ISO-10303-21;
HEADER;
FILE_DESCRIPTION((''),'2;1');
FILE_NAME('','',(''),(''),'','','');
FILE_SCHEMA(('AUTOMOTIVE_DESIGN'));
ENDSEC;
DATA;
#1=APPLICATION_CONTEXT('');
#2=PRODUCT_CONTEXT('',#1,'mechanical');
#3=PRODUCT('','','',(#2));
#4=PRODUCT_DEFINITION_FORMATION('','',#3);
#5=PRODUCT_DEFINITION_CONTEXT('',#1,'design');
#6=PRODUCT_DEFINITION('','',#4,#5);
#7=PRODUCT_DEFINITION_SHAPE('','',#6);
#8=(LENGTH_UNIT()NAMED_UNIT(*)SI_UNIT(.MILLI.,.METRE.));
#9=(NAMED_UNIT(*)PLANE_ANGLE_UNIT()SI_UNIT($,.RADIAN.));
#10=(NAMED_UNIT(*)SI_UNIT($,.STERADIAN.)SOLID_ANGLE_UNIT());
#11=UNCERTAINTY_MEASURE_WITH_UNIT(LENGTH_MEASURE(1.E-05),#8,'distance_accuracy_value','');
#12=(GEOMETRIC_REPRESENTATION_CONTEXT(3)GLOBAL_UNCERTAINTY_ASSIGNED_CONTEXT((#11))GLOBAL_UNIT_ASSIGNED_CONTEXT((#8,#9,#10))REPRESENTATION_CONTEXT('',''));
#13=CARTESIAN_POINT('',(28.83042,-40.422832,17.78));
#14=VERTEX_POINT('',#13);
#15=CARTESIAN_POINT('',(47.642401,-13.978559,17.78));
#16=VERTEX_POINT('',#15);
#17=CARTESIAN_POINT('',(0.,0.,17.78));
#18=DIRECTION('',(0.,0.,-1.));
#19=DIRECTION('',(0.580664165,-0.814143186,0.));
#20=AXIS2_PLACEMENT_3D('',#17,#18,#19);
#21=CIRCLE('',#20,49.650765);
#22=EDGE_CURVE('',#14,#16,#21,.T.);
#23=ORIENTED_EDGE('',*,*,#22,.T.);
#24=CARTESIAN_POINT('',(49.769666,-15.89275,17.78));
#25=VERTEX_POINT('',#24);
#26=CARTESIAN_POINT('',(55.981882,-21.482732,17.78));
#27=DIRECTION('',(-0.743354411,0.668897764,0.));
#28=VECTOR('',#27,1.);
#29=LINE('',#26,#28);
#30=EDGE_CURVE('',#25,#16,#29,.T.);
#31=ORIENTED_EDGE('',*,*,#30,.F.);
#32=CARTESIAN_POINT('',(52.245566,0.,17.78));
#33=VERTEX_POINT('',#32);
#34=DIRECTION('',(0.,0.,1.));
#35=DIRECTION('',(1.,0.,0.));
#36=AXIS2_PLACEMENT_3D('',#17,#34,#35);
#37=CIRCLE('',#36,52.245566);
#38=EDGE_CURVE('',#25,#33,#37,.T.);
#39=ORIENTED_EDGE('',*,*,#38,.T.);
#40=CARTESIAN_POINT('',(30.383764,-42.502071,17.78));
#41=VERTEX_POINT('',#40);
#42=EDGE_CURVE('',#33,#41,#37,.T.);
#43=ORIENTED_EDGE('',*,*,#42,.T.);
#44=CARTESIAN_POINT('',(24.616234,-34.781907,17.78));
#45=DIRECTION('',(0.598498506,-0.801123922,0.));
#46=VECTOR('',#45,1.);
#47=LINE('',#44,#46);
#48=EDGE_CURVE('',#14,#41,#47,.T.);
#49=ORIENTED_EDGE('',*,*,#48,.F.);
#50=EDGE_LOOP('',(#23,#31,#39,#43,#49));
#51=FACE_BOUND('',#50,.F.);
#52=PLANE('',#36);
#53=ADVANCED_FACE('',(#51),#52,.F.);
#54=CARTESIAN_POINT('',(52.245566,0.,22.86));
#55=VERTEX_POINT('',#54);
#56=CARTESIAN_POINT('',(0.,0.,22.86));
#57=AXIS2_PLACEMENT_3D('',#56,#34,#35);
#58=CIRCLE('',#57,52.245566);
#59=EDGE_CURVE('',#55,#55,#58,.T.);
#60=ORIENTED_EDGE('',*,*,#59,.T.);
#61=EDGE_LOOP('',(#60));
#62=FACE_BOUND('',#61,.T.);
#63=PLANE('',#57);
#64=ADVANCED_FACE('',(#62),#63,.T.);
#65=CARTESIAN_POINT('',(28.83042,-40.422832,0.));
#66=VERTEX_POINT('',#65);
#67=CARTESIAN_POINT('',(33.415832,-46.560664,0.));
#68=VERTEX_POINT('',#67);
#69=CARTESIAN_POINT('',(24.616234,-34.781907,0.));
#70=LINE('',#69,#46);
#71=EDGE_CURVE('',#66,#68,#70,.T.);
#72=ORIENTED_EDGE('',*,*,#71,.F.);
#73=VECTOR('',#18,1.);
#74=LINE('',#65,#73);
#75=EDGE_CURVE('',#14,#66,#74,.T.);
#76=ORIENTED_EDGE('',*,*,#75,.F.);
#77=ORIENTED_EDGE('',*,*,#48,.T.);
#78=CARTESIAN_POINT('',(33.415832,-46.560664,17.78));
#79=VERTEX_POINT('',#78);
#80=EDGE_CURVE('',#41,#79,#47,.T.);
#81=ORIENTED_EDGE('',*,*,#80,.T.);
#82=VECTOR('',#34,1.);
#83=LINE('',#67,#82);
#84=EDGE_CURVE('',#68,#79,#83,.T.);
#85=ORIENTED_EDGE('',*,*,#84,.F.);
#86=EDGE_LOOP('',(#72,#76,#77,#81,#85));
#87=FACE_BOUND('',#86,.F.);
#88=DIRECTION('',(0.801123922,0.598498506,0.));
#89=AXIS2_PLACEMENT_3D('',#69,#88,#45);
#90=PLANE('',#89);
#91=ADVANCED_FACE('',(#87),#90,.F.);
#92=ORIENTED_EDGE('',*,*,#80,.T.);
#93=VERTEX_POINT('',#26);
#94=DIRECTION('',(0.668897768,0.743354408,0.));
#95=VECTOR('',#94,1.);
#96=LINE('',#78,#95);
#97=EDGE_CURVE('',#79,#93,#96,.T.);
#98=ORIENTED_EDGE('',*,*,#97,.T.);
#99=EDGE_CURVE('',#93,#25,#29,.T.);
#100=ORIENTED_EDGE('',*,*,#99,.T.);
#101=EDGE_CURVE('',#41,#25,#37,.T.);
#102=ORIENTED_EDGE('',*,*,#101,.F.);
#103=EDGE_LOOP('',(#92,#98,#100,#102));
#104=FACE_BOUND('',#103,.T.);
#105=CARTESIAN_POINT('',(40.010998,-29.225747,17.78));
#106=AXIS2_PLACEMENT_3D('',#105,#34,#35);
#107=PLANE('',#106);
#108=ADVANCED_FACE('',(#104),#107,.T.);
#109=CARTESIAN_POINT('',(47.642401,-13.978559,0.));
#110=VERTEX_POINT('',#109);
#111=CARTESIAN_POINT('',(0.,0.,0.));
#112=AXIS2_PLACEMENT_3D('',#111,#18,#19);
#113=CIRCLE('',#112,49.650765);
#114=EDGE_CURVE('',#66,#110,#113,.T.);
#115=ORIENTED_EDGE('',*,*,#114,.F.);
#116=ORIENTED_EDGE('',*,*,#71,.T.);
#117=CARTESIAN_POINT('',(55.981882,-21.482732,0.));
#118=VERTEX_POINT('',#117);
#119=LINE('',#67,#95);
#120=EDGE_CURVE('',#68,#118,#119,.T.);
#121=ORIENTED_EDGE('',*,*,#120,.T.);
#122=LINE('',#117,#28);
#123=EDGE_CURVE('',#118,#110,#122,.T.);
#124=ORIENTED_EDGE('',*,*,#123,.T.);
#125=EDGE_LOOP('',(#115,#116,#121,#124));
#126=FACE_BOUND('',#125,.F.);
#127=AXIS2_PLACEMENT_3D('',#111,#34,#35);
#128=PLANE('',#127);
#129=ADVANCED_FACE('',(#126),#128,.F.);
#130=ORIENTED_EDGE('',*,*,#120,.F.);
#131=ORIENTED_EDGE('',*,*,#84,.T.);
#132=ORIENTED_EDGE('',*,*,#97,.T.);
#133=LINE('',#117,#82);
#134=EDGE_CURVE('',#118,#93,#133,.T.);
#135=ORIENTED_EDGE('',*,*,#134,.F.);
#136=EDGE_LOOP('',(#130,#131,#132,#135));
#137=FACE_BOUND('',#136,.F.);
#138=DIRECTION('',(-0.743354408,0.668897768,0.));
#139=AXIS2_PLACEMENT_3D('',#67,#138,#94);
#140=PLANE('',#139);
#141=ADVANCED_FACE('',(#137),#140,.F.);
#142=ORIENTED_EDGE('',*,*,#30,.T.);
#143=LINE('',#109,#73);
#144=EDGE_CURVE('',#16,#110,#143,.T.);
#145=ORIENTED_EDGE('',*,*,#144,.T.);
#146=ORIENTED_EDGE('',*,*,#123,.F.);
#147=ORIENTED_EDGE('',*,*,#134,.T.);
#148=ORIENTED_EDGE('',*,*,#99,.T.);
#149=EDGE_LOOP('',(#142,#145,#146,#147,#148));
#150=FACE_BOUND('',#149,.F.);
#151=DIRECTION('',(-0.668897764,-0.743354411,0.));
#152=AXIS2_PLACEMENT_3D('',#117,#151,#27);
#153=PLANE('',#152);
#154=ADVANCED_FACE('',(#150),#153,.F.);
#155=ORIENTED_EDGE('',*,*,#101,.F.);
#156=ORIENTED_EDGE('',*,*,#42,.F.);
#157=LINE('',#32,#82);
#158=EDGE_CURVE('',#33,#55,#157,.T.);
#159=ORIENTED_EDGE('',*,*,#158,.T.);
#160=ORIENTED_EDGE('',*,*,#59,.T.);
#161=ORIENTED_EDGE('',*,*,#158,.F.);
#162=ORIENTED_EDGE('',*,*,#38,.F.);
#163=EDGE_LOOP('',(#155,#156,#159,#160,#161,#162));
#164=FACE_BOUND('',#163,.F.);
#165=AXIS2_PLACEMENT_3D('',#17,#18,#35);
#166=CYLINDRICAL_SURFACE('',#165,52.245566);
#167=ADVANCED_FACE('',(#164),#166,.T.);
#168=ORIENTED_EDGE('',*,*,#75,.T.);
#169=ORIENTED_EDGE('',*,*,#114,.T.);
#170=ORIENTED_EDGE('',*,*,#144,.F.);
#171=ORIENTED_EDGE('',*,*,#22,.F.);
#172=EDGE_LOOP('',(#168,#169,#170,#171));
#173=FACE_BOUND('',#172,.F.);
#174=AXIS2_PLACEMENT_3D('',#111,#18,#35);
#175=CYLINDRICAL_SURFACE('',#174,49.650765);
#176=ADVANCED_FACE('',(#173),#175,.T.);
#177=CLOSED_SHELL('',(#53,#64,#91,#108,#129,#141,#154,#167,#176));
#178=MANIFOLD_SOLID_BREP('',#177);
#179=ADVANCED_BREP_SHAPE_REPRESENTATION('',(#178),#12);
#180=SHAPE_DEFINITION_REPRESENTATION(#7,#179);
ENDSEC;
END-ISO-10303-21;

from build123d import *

# Parameters (mm, degrees)
F0_R     = 49.650765
F1_DEPTH = 17.78
F2_R     = 52.245566
F3_DEPTH = 5.08
F5_DEPTH = 17.78


with BuildPart() as f1:
    # F0 (on Top) → F1 (new body)
    with BuildSketch(Plane.XY):
        Circle(F0_R)
    extrude(amount=F1_DEPTH)

    # F2 (on face) → F3 (join)
    with BuildSketch(Plane.XY.offset(17.78)):
        Circle(F2_R)
    extrude(amount=F3_DEPTH)

    # F4 (on Top) → F5 (join)
    with BuildSketch(Plane.XY):
        Polygon((46.185026, -12.667159), (24.616234, -34.781907), (33.415832, -46.560664), (55.981882, -21.482732), align=None)
    extrude(amount=F5_DEPTH)


solid = f1.part
